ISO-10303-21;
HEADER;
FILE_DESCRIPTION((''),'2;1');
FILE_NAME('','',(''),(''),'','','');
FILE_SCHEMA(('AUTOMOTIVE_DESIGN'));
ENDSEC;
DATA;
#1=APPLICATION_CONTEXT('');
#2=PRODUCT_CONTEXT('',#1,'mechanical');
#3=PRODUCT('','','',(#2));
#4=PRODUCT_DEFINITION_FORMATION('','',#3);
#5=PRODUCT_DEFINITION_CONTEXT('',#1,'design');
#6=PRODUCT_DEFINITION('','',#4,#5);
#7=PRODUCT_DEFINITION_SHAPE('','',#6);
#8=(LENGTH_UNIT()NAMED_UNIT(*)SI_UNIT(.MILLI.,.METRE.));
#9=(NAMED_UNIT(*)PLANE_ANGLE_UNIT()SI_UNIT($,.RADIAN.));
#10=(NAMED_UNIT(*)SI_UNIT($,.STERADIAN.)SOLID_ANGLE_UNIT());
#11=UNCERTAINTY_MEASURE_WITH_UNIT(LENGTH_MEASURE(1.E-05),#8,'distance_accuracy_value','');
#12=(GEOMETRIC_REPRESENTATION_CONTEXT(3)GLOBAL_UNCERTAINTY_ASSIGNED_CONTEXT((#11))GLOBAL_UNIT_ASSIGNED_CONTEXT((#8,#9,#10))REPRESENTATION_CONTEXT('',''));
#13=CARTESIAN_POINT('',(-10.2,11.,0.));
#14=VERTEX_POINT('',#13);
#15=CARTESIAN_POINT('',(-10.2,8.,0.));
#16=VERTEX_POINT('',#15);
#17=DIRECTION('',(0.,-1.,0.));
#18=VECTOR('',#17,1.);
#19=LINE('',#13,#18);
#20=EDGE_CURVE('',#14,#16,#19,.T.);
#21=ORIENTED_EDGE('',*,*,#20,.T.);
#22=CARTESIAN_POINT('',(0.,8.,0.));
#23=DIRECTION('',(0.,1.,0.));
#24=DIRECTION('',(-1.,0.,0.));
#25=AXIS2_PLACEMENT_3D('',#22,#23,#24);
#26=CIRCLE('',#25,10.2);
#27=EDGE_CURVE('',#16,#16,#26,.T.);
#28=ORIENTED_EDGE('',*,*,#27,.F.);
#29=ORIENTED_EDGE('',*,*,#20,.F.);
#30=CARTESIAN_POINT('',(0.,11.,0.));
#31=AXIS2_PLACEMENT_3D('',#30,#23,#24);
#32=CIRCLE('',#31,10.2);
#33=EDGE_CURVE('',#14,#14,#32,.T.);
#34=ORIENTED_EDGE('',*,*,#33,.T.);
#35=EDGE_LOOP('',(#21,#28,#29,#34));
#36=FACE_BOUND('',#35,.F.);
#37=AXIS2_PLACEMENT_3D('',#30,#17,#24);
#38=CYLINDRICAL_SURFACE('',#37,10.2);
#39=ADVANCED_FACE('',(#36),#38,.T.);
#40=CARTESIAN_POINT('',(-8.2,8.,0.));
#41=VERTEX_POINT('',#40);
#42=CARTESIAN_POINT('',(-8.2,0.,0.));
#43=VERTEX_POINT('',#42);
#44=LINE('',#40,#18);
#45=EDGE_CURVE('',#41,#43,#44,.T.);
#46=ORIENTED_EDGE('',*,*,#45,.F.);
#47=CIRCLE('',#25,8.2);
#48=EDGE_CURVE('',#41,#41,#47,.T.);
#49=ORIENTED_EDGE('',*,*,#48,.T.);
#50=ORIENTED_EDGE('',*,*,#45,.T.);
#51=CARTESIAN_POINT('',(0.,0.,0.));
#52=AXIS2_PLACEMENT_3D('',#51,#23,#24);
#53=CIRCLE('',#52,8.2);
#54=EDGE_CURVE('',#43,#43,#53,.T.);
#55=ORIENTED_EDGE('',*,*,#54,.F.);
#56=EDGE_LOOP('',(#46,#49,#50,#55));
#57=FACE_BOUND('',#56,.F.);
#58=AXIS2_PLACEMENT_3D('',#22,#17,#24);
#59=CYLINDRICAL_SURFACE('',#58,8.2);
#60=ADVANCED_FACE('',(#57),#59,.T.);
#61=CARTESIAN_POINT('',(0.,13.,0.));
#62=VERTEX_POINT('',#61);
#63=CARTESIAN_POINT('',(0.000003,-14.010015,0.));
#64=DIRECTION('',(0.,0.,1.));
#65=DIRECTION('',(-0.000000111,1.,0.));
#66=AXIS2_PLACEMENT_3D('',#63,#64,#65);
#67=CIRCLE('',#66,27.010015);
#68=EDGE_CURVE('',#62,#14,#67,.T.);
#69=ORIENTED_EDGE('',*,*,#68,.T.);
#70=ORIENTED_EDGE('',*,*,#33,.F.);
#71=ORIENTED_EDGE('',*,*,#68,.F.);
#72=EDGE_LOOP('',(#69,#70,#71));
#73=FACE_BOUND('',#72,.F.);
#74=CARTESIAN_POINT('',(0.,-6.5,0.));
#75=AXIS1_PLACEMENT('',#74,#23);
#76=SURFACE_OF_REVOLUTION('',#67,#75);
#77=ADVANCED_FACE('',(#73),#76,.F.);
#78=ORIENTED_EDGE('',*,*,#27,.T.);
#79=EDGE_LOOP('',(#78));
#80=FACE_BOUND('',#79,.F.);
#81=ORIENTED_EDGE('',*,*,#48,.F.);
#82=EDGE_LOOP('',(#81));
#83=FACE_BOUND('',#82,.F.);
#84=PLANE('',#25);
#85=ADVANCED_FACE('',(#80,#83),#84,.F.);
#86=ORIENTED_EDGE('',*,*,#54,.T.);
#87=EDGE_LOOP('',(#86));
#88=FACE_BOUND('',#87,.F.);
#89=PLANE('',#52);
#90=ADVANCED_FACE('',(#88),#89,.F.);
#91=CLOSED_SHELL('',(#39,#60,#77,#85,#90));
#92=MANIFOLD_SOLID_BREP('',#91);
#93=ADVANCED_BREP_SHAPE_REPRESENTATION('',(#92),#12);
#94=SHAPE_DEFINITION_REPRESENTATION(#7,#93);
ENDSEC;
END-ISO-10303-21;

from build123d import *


with BuildPart() as f1:
    # F0 (on Top) → F1 (revolve)
    with BuildSketch(Plane.XY):
        with BuildLine():
            Line((-8.2, 0), (0, 0))
            Line((0, 0), (0, 13))
            ThreePointArc((0, 13), (-5.197115, 12.495284), (-10.2, 11))
            Line((-10.2, 11), (-10.2, 8))
            Line((-10.2, 8), (-8.2, 8))
            Line((-8.2, 8), (-8.2, 0))
        make_face()
    revolve(axis=Axis((0, -6.5, 0), (0, 1, 0)))


solid = f1.part
